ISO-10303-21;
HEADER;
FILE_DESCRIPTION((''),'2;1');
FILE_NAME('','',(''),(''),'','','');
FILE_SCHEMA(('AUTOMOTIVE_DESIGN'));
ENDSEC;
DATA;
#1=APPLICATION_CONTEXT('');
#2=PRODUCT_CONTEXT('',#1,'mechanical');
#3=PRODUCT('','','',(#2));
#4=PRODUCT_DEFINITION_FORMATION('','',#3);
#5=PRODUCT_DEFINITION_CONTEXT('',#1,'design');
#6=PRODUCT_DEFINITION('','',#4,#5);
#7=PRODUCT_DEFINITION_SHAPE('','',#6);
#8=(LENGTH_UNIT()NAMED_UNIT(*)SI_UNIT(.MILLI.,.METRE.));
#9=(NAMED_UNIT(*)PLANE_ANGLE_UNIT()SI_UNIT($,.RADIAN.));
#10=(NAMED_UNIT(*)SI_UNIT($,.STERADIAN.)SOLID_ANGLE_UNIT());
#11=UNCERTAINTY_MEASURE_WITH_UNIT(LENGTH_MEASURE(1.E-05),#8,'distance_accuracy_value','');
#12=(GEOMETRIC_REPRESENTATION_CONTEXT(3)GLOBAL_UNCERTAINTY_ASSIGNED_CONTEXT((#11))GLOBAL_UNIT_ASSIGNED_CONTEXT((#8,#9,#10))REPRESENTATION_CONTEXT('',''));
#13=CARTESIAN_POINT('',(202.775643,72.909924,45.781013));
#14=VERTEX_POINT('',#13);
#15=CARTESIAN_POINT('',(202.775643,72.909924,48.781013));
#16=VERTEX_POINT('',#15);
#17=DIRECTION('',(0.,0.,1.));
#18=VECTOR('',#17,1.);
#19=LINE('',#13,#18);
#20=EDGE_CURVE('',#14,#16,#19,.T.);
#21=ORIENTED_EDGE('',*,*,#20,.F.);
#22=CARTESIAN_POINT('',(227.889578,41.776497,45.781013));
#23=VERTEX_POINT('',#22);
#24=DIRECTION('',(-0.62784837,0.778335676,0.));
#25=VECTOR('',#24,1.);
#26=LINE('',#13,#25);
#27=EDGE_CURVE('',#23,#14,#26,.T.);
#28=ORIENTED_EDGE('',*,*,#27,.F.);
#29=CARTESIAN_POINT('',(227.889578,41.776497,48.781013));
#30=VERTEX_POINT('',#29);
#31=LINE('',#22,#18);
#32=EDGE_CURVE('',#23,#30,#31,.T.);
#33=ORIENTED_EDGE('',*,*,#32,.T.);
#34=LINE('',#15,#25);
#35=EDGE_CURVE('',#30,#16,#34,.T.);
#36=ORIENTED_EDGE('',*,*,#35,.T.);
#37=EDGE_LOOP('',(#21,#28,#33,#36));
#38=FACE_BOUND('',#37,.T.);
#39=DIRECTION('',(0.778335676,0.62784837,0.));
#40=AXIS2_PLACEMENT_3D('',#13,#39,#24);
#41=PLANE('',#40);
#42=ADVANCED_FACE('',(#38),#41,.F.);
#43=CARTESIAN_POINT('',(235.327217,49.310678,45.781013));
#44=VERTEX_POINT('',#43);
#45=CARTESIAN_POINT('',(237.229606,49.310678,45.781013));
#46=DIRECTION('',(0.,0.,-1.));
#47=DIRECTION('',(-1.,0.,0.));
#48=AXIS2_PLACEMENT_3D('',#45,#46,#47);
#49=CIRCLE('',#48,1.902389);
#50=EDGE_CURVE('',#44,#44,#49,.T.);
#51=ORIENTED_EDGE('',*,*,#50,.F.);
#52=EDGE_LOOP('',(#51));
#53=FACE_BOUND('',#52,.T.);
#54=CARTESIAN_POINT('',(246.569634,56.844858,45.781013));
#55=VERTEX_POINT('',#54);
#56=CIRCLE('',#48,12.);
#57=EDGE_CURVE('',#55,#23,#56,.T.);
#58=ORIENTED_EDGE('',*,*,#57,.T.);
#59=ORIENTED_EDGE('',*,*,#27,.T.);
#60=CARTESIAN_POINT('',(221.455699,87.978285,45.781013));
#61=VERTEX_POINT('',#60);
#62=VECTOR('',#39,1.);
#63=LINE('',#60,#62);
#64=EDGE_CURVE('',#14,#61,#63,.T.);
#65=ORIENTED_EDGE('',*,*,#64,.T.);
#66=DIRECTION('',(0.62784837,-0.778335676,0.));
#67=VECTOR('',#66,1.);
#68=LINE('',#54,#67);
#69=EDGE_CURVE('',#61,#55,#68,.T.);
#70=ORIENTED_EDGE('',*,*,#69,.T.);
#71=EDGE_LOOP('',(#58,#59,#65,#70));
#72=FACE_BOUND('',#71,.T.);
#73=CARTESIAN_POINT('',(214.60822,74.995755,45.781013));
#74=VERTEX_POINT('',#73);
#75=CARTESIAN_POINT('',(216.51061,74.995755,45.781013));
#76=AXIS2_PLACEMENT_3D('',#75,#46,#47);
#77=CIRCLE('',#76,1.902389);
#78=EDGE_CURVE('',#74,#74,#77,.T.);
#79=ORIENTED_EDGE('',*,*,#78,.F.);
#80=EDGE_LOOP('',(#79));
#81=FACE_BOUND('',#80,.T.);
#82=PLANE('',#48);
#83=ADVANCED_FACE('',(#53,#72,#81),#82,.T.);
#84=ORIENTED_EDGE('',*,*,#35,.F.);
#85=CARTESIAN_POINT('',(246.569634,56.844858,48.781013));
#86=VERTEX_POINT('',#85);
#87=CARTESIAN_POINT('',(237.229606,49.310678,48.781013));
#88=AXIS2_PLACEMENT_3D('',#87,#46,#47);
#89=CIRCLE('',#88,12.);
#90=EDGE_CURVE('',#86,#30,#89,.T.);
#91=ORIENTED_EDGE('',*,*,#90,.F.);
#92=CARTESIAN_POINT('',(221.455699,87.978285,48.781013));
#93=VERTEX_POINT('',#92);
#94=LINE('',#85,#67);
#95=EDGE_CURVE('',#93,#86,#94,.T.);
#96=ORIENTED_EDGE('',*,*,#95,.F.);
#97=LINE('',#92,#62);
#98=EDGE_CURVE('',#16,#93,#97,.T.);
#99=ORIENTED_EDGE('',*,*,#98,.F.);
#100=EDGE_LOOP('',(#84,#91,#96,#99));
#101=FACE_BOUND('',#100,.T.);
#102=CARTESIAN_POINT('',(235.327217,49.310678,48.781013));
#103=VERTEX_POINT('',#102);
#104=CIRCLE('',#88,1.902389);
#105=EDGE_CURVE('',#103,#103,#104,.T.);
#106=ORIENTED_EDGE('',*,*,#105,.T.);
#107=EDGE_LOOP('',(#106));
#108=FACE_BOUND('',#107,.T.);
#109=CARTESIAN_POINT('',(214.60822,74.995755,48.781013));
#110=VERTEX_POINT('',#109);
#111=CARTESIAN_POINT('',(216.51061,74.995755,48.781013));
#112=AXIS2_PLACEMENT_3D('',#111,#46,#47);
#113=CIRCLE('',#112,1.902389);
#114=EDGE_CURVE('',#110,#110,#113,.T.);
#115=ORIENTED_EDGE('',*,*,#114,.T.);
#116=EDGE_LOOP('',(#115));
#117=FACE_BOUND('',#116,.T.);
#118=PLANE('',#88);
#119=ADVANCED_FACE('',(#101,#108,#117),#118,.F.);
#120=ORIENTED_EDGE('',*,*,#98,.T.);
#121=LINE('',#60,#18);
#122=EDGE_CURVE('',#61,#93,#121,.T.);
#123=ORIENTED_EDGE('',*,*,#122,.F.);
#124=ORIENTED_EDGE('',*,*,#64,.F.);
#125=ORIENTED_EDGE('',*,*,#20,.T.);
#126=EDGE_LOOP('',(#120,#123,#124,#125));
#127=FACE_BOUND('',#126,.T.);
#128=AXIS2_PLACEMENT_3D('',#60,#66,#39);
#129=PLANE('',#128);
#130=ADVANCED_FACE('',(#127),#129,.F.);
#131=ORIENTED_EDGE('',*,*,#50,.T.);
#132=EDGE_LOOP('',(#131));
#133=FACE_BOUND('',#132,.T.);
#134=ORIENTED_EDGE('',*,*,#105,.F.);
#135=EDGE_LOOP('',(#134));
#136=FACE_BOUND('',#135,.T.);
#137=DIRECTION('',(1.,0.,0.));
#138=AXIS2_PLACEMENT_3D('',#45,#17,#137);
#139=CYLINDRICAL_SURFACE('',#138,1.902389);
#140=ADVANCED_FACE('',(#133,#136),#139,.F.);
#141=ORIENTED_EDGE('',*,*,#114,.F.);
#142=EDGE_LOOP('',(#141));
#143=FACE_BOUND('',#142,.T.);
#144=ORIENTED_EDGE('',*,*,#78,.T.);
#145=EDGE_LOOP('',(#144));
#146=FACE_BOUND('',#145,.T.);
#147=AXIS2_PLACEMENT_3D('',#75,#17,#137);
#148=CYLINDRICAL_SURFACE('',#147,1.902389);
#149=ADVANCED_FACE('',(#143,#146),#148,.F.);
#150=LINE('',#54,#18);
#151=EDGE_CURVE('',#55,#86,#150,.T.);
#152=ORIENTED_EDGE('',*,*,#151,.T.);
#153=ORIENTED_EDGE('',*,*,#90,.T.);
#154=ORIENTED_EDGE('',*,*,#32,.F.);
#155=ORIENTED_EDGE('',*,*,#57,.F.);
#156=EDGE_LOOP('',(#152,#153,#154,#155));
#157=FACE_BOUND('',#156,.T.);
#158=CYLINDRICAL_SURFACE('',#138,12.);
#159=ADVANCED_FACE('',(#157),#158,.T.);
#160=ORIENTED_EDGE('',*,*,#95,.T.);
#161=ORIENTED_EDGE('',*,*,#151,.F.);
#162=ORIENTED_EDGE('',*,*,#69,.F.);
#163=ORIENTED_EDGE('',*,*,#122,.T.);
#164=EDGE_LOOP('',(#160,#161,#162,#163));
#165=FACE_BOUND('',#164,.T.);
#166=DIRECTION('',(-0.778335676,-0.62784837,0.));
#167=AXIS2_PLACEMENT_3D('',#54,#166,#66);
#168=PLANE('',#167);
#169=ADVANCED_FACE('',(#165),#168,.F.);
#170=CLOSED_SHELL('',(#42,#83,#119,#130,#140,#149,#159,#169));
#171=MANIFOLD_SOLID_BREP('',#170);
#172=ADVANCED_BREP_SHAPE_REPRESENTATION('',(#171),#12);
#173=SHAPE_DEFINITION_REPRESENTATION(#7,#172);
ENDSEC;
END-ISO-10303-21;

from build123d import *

# Parameters (mm, degrees)
ESQUISSE1_R        = 1.902389191
BOSS_EXTRU_1_DEPTH = 3


with BuildPart() as part:
    # Esquisse1 → Boss.-Extru.1 (new body)
    with BuildSketch(Plane(origin=(0, 0, 48.781012584), x_dir=(-1, 0, 0), z_dir=(0, 0, -1))):
        with BuildLine():
            Line((-246.569633903, 56.844858091), (-221.455699093, 87.978285117))
            Line((-221.455699093, 87.978285117), (-202.775642878, 72.909924232))
            Line((-202.775642878, 72.909924232), (-227.889577687, 41.776497206))
            ThreePointArc((-227.889577687, 41.776497206), (-244.763786238, 39.970649541), (-246.569633903, 56.844858091))
        make_face()
        with Locations((-237.229605795, 49.310677648)):
            Circle(ESQUISSE1_R, mode=Mode.SUBTRACT)
        with Locations((-216.510609577, 74.995754945)):
            Circle(ESQUISSE1_R, mode=Mode.SUBTRACT)
    extrude(amount=BOSS_EXTRU_1_DEPTH)


solid = part.part
